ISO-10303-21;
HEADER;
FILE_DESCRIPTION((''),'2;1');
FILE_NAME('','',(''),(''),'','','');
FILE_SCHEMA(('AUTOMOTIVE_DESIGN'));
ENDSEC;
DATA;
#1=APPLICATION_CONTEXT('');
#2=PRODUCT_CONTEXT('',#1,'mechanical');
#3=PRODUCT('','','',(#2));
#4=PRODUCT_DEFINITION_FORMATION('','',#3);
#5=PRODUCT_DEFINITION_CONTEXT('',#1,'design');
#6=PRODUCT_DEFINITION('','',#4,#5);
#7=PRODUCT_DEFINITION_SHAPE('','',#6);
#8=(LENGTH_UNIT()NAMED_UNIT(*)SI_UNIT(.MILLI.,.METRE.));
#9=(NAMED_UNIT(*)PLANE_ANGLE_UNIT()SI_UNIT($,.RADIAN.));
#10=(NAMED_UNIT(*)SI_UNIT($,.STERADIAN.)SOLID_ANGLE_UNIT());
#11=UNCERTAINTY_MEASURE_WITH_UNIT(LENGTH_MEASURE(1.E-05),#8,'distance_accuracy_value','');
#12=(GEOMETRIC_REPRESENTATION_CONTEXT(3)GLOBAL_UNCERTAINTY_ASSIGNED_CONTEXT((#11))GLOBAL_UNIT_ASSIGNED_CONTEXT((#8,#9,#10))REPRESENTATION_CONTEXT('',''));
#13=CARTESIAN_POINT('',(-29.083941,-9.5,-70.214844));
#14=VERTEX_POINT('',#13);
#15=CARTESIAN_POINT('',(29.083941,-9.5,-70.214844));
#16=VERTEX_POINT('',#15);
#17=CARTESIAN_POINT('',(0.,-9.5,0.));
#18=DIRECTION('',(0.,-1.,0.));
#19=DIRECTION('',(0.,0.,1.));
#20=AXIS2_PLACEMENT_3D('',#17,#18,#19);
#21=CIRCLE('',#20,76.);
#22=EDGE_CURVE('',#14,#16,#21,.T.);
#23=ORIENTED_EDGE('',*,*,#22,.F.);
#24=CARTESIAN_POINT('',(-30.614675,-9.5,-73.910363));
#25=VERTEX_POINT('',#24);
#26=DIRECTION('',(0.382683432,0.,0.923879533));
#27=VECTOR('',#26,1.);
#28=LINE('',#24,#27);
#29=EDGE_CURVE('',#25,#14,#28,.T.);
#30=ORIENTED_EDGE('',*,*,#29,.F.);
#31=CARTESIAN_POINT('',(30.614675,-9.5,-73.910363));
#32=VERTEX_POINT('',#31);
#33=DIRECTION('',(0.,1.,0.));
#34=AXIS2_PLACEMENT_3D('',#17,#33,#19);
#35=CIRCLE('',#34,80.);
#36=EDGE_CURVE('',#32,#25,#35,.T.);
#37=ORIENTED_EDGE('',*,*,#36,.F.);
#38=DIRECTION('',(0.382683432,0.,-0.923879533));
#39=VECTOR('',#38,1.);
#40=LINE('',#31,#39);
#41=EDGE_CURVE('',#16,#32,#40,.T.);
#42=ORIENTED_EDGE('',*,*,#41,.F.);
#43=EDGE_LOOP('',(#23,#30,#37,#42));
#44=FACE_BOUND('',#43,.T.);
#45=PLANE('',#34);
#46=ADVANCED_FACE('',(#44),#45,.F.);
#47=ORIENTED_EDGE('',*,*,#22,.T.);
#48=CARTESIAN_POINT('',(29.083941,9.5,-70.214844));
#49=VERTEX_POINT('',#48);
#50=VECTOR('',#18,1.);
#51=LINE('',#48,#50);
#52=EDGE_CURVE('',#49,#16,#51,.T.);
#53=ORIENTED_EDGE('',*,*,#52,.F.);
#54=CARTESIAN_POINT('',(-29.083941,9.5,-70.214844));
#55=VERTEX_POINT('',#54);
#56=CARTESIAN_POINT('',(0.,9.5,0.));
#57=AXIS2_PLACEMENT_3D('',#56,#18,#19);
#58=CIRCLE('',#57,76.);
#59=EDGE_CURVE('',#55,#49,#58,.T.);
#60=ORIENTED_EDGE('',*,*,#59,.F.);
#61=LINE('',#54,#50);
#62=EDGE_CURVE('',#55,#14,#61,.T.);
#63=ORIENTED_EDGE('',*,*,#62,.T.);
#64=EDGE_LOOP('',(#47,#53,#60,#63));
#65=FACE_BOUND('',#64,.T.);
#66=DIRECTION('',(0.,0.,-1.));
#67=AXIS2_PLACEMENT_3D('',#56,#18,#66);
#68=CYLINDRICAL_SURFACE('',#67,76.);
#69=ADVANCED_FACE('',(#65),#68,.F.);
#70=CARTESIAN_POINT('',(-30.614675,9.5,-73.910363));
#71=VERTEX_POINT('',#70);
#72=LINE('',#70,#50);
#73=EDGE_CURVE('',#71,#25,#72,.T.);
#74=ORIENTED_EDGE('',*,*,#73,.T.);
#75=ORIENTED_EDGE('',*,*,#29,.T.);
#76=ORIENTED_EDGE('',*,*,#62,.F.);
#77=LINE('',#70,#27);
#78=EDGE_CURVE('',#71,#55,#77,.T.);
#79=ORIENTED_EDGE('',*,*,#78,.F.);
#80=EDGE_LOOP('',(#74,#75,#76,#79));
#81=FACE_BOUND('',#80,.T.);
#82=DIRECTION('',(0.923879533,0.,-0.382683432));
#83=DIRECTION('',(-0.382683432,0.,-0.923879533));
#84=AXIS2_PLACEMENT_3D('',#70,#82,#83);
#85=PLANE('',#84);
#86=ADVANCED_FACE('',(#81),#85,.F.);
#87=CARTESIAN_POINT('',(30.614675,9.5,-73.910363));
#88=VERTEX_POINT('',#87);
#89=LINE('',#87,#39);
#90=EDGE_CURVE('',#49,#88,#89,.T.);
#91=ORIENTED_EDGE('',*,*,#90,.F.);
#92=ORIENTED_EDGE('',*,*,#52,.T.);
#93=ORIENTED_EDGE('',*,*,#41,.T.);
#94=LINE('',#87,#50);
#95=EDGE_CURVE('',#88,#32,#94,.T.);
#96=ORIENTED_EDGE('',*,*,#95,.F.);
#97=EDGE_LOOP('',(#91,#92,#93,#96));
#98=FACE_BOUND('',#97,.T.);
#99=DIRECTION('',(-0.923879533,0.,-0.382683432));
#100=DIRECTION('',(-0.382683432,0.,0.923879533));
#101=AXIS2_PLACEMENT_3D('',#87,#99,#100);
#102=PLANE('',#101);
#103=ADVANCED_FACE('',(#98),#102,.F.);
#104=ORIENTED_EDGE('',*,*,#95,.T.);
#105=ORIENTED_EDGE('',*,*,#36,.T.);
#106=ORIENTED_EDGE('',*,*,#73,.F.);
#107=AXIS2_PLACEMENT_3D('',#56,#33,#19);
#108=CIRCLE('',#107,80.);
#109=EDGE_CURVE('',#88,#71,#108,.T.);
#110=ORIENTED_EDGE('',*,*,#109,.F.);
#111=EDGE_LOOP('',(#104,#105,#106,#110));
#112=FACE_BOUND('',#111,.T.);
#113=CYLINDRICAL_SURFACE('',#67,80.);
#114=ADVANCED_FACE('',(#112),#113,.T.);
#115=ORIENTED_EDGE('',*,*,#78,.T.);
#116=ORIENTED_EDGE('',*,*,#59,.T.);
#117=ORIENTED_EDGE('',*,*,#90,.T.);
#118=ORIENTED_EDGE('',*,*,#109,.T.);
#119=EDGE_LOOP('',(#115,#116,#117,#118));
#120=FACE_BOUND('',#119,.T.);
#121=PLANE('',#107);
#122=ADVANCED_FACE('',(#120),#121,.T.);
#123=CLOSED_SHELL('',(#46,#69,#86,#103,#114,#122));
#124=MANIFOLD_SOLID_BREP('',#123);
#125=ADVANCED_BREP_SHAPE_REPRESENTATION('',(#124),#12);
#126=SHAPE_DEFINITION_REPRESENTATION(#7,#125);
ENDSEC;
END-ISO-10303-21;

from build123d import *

# Parameters (mm, degrees)
BOSS_EXTRUDE1_DEPTH = 9.5


with BuildPart() as part:
    # Sketch1 → Boss-Extrude1 (new, symmetric)
    with BuildSketch(Plane(origin=(0, 0, 0), x_dir=(1, 0, 0), z_dir=(0, 1, 0))):
        with BuildLine():
            Line((-30.614674589, 73.910362601), (-29.08394086, 70.214844471))
            ThreePointArc((-29.08394086, 70.214844471), (0, 76), (29.08394086, 70.214844471))
            Line((29.08394086, 70.214844471), (30.614674589, 73.910362601))
            ThreePointArc((30.614674589, 73.910362601), (0, 80), (-30.614674589, 73.910362601))
        make_face()
    extrude(amount=BOSS_EXTRUDE1_DEPTH, both=True)


solid = part.part
